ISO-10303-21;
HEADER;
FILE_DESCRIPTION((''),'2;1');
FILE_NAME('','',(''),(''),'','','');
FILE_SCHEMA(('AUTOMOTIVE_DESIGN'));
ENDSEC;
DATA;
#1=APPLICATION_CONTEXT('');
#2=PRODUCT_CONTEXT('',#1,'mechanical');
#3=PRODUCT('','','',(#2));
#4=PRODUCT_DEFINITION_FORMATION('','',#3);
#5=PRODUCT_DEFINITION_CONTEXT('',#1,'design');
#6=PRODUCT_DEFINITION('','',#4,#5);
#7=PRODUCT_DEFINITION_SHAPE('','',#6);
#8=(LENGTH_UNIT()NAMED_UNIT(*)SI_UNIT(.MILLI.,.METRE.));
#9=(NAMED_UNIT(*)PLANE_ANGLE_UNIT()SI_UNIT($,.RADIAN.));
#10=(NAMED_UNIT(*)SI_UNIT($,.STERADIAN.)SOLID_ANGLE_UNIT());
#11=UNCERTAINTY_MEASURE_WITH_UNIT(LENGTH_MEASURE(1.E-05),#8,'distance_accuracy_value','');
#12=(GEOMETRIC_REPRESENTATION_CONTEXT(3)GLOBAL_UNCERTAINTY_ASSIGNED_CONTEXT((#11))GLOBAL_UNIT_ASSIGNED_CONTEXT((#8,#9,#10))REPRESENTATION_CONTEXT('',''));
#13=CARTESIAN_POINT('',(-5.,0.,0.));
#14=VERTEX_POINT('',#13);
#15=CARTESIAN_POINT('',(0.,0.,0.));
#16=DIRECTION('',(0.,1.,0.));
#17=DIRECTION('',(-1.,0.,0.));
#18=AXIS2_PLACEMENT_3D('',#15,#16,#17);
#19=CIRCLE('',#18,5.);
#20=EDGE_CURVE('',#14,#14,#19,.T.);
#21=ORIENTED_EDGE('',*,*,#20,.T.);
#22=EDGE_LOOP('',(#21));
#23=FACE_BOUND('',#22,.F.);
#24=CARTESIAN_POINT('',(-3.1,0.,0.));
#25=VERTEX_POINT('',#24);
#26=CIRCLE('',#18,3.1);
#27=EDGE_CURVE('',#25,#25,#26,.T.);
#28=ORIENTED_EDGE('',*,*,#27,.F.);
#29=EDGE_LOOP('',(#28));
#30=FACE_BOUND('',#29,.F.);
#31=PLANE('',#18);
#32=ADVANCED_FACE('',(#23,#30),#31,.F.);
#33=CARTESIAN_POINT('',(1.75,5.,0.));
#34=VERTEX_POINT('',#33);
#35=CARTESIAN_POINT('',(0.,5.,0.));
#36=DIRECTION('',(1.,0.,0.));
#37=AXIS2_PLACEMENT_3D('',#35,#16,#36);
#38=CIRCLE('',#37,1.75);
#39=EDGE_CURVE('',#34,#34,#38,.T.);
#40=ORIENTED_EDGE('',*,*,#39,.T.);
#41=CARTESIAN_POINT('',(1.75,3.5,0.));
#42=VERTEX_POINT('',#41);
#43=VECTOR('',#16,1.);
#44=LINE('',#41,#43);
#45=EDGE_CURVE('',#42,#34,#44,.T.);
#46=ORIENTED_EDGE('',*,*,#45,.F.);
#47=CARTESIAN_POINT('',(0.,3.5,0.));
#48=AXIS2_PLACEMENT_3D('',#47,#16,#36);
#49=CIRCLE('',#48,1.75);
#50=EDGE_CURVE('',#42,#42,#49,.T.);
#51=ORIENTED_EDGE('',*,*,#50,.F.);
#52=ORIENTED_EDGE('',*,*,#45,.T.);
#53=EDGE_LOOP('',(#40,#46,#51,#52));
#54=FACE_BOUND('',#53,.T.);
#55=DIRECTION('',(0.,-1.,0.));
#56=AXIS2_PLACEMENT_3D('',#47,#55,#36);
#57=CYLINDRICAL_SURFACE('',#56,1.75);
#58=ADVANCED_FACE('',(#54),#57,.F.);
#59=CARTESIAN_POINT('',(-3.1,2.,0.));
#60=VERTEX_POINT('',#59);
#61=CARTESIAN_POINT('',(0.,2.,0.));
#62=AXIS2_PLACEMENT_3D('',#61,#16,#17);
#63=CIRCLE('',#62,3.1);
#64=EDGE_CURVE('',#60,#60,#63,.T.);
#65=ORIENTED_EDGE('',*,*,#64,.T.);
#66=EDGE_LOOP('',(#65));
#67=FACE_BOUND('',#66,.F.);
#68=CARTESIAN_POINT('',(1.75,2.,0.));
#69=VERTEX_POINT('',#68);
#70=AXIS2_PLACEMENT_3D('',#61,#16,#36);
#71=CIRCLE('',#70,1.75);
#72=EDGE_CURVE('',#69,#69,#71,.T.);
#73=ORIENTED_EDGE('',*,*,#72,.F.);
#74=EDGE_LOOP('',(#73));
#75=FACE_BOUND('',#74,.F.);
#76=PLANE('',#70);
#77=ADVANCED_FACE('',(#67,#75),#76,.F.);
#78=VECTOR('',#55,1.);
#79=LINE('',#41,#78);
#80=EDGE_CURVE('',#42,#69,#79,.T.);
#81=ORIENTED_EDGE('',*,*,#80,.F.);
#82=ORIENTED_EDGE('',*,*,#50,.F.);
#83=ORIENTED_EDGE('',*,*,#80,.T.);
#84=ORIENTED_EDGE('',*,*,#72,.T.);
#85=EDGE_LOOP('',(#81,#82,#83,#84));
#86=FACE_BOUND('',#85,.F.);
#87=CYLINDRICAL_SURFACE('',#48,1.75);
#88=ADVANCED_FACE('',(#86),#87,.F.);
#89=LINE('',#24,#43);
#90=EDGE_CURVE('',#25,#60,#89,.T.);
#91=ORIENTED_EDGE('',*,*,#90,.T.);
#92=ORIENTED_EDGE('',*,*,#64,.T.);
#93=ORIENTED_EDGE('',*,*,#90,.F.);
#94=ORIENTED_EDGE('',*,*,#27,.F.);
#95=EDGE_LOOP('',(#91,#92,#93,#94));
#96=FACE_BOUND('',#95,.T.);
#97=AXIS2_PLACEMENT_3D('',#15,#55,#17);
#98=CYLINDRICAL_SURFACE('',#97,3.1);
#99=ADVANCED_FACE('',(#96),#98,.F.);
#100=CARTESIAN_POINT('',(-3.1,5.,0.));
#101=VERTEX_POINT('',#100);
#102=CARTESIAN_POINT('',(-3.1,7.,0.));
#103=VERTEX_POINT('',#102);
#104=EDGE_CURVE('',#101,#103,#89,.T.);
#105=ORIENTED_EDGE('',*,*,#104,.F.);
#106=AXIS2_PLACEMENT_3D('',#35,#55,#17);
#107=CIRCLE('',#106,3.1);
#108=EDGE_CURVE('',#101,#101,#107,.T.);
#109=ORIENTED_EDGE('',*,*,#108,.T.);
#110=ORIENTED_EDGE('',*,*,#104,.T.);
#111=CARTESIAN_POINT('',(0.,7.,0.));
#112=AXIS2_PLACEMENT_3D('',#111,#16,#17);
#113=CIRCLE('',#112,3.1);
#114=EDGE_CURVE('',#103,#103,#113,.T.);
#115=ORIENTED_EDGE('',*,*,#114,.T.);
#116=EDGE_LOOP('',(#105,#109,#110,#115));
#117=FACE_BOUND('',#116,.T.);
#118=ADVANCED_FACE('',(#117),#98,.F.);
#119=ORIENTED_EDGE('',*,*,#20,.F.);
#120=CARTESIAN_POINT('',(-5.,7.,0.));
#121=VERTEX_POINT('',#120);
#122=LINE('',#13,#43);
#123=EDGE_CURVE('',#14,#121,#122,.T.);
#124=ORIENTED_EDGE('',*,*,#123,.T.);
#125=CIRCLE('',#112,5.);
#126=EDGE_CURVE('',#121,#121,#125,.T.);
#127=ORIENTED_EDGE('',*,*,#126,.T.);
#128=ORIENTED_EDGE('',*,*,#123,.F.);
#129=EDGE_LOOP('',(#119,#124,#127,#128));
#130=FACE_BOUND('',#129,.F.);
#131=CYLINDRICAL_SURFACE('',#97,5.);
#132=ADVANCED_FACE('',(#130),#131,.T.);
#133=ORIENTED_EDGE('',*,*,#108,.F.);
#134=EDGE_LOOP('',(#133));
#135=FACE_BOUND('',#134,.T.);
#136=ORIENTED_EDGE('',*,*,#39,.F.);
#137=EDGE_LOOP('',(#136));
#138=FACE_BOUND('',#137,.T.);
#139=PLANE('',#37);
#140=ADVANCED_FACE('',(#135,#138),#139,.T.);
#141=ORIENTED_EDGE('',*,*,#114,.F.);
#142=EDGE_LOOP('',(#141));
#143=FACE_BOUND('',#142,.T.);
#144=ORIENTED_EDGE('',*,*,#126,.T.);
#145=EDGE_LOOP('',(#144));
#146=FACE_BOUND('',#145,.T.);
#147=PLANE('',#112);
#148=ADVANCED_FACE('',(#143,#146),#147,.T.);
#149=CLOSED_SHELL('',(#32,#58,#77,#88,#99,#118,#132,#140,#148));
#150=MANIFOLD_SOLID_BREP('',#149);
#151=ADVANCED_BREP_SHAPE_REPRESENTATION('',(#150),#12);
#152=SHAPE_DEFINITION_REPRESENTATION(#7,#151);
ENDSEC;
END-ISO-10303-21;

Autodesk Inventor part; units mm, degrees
ref_plane "YZ Plane" through (0, 0, 0) normal (1, 0, 0) x (0, 1, 0)
ref_plane "XZ Plane" through (0, 0, 0) normal (0, 1, 0) x (-1, 0, 0)
sketch "スケッチ1" plane through (0, 0, 0) normal (0, 1, 0) x (-1, 0, 0)
  circle A0 centre (0, 0) radius 5
  circle A1 centre (0, 0) radius 3.1
  dimension "d0" = 10
  dimension "d8" = 6.2
extrude "押し出し1" add sketch "スケッチ1" along normal blind 7
ref_plane "作業平面1" through (0, 3.5, 0) normal (0, 1, 0) x (1, 0, 0)
sketch "スケッチ5" plane through (0, 3.5, 0) normal (0, 1, 0) x (1, 0, 0)
  circle A0 centre (0, 0) radius 1.75
  circle A1 centre (0, 0) radius 3.1 projected
  dimension "d9" = 3.5
extrude "押し出し4" add sketch "スケッチ5" along normal mid plane 3
properties part number "belt_roller_outside"
